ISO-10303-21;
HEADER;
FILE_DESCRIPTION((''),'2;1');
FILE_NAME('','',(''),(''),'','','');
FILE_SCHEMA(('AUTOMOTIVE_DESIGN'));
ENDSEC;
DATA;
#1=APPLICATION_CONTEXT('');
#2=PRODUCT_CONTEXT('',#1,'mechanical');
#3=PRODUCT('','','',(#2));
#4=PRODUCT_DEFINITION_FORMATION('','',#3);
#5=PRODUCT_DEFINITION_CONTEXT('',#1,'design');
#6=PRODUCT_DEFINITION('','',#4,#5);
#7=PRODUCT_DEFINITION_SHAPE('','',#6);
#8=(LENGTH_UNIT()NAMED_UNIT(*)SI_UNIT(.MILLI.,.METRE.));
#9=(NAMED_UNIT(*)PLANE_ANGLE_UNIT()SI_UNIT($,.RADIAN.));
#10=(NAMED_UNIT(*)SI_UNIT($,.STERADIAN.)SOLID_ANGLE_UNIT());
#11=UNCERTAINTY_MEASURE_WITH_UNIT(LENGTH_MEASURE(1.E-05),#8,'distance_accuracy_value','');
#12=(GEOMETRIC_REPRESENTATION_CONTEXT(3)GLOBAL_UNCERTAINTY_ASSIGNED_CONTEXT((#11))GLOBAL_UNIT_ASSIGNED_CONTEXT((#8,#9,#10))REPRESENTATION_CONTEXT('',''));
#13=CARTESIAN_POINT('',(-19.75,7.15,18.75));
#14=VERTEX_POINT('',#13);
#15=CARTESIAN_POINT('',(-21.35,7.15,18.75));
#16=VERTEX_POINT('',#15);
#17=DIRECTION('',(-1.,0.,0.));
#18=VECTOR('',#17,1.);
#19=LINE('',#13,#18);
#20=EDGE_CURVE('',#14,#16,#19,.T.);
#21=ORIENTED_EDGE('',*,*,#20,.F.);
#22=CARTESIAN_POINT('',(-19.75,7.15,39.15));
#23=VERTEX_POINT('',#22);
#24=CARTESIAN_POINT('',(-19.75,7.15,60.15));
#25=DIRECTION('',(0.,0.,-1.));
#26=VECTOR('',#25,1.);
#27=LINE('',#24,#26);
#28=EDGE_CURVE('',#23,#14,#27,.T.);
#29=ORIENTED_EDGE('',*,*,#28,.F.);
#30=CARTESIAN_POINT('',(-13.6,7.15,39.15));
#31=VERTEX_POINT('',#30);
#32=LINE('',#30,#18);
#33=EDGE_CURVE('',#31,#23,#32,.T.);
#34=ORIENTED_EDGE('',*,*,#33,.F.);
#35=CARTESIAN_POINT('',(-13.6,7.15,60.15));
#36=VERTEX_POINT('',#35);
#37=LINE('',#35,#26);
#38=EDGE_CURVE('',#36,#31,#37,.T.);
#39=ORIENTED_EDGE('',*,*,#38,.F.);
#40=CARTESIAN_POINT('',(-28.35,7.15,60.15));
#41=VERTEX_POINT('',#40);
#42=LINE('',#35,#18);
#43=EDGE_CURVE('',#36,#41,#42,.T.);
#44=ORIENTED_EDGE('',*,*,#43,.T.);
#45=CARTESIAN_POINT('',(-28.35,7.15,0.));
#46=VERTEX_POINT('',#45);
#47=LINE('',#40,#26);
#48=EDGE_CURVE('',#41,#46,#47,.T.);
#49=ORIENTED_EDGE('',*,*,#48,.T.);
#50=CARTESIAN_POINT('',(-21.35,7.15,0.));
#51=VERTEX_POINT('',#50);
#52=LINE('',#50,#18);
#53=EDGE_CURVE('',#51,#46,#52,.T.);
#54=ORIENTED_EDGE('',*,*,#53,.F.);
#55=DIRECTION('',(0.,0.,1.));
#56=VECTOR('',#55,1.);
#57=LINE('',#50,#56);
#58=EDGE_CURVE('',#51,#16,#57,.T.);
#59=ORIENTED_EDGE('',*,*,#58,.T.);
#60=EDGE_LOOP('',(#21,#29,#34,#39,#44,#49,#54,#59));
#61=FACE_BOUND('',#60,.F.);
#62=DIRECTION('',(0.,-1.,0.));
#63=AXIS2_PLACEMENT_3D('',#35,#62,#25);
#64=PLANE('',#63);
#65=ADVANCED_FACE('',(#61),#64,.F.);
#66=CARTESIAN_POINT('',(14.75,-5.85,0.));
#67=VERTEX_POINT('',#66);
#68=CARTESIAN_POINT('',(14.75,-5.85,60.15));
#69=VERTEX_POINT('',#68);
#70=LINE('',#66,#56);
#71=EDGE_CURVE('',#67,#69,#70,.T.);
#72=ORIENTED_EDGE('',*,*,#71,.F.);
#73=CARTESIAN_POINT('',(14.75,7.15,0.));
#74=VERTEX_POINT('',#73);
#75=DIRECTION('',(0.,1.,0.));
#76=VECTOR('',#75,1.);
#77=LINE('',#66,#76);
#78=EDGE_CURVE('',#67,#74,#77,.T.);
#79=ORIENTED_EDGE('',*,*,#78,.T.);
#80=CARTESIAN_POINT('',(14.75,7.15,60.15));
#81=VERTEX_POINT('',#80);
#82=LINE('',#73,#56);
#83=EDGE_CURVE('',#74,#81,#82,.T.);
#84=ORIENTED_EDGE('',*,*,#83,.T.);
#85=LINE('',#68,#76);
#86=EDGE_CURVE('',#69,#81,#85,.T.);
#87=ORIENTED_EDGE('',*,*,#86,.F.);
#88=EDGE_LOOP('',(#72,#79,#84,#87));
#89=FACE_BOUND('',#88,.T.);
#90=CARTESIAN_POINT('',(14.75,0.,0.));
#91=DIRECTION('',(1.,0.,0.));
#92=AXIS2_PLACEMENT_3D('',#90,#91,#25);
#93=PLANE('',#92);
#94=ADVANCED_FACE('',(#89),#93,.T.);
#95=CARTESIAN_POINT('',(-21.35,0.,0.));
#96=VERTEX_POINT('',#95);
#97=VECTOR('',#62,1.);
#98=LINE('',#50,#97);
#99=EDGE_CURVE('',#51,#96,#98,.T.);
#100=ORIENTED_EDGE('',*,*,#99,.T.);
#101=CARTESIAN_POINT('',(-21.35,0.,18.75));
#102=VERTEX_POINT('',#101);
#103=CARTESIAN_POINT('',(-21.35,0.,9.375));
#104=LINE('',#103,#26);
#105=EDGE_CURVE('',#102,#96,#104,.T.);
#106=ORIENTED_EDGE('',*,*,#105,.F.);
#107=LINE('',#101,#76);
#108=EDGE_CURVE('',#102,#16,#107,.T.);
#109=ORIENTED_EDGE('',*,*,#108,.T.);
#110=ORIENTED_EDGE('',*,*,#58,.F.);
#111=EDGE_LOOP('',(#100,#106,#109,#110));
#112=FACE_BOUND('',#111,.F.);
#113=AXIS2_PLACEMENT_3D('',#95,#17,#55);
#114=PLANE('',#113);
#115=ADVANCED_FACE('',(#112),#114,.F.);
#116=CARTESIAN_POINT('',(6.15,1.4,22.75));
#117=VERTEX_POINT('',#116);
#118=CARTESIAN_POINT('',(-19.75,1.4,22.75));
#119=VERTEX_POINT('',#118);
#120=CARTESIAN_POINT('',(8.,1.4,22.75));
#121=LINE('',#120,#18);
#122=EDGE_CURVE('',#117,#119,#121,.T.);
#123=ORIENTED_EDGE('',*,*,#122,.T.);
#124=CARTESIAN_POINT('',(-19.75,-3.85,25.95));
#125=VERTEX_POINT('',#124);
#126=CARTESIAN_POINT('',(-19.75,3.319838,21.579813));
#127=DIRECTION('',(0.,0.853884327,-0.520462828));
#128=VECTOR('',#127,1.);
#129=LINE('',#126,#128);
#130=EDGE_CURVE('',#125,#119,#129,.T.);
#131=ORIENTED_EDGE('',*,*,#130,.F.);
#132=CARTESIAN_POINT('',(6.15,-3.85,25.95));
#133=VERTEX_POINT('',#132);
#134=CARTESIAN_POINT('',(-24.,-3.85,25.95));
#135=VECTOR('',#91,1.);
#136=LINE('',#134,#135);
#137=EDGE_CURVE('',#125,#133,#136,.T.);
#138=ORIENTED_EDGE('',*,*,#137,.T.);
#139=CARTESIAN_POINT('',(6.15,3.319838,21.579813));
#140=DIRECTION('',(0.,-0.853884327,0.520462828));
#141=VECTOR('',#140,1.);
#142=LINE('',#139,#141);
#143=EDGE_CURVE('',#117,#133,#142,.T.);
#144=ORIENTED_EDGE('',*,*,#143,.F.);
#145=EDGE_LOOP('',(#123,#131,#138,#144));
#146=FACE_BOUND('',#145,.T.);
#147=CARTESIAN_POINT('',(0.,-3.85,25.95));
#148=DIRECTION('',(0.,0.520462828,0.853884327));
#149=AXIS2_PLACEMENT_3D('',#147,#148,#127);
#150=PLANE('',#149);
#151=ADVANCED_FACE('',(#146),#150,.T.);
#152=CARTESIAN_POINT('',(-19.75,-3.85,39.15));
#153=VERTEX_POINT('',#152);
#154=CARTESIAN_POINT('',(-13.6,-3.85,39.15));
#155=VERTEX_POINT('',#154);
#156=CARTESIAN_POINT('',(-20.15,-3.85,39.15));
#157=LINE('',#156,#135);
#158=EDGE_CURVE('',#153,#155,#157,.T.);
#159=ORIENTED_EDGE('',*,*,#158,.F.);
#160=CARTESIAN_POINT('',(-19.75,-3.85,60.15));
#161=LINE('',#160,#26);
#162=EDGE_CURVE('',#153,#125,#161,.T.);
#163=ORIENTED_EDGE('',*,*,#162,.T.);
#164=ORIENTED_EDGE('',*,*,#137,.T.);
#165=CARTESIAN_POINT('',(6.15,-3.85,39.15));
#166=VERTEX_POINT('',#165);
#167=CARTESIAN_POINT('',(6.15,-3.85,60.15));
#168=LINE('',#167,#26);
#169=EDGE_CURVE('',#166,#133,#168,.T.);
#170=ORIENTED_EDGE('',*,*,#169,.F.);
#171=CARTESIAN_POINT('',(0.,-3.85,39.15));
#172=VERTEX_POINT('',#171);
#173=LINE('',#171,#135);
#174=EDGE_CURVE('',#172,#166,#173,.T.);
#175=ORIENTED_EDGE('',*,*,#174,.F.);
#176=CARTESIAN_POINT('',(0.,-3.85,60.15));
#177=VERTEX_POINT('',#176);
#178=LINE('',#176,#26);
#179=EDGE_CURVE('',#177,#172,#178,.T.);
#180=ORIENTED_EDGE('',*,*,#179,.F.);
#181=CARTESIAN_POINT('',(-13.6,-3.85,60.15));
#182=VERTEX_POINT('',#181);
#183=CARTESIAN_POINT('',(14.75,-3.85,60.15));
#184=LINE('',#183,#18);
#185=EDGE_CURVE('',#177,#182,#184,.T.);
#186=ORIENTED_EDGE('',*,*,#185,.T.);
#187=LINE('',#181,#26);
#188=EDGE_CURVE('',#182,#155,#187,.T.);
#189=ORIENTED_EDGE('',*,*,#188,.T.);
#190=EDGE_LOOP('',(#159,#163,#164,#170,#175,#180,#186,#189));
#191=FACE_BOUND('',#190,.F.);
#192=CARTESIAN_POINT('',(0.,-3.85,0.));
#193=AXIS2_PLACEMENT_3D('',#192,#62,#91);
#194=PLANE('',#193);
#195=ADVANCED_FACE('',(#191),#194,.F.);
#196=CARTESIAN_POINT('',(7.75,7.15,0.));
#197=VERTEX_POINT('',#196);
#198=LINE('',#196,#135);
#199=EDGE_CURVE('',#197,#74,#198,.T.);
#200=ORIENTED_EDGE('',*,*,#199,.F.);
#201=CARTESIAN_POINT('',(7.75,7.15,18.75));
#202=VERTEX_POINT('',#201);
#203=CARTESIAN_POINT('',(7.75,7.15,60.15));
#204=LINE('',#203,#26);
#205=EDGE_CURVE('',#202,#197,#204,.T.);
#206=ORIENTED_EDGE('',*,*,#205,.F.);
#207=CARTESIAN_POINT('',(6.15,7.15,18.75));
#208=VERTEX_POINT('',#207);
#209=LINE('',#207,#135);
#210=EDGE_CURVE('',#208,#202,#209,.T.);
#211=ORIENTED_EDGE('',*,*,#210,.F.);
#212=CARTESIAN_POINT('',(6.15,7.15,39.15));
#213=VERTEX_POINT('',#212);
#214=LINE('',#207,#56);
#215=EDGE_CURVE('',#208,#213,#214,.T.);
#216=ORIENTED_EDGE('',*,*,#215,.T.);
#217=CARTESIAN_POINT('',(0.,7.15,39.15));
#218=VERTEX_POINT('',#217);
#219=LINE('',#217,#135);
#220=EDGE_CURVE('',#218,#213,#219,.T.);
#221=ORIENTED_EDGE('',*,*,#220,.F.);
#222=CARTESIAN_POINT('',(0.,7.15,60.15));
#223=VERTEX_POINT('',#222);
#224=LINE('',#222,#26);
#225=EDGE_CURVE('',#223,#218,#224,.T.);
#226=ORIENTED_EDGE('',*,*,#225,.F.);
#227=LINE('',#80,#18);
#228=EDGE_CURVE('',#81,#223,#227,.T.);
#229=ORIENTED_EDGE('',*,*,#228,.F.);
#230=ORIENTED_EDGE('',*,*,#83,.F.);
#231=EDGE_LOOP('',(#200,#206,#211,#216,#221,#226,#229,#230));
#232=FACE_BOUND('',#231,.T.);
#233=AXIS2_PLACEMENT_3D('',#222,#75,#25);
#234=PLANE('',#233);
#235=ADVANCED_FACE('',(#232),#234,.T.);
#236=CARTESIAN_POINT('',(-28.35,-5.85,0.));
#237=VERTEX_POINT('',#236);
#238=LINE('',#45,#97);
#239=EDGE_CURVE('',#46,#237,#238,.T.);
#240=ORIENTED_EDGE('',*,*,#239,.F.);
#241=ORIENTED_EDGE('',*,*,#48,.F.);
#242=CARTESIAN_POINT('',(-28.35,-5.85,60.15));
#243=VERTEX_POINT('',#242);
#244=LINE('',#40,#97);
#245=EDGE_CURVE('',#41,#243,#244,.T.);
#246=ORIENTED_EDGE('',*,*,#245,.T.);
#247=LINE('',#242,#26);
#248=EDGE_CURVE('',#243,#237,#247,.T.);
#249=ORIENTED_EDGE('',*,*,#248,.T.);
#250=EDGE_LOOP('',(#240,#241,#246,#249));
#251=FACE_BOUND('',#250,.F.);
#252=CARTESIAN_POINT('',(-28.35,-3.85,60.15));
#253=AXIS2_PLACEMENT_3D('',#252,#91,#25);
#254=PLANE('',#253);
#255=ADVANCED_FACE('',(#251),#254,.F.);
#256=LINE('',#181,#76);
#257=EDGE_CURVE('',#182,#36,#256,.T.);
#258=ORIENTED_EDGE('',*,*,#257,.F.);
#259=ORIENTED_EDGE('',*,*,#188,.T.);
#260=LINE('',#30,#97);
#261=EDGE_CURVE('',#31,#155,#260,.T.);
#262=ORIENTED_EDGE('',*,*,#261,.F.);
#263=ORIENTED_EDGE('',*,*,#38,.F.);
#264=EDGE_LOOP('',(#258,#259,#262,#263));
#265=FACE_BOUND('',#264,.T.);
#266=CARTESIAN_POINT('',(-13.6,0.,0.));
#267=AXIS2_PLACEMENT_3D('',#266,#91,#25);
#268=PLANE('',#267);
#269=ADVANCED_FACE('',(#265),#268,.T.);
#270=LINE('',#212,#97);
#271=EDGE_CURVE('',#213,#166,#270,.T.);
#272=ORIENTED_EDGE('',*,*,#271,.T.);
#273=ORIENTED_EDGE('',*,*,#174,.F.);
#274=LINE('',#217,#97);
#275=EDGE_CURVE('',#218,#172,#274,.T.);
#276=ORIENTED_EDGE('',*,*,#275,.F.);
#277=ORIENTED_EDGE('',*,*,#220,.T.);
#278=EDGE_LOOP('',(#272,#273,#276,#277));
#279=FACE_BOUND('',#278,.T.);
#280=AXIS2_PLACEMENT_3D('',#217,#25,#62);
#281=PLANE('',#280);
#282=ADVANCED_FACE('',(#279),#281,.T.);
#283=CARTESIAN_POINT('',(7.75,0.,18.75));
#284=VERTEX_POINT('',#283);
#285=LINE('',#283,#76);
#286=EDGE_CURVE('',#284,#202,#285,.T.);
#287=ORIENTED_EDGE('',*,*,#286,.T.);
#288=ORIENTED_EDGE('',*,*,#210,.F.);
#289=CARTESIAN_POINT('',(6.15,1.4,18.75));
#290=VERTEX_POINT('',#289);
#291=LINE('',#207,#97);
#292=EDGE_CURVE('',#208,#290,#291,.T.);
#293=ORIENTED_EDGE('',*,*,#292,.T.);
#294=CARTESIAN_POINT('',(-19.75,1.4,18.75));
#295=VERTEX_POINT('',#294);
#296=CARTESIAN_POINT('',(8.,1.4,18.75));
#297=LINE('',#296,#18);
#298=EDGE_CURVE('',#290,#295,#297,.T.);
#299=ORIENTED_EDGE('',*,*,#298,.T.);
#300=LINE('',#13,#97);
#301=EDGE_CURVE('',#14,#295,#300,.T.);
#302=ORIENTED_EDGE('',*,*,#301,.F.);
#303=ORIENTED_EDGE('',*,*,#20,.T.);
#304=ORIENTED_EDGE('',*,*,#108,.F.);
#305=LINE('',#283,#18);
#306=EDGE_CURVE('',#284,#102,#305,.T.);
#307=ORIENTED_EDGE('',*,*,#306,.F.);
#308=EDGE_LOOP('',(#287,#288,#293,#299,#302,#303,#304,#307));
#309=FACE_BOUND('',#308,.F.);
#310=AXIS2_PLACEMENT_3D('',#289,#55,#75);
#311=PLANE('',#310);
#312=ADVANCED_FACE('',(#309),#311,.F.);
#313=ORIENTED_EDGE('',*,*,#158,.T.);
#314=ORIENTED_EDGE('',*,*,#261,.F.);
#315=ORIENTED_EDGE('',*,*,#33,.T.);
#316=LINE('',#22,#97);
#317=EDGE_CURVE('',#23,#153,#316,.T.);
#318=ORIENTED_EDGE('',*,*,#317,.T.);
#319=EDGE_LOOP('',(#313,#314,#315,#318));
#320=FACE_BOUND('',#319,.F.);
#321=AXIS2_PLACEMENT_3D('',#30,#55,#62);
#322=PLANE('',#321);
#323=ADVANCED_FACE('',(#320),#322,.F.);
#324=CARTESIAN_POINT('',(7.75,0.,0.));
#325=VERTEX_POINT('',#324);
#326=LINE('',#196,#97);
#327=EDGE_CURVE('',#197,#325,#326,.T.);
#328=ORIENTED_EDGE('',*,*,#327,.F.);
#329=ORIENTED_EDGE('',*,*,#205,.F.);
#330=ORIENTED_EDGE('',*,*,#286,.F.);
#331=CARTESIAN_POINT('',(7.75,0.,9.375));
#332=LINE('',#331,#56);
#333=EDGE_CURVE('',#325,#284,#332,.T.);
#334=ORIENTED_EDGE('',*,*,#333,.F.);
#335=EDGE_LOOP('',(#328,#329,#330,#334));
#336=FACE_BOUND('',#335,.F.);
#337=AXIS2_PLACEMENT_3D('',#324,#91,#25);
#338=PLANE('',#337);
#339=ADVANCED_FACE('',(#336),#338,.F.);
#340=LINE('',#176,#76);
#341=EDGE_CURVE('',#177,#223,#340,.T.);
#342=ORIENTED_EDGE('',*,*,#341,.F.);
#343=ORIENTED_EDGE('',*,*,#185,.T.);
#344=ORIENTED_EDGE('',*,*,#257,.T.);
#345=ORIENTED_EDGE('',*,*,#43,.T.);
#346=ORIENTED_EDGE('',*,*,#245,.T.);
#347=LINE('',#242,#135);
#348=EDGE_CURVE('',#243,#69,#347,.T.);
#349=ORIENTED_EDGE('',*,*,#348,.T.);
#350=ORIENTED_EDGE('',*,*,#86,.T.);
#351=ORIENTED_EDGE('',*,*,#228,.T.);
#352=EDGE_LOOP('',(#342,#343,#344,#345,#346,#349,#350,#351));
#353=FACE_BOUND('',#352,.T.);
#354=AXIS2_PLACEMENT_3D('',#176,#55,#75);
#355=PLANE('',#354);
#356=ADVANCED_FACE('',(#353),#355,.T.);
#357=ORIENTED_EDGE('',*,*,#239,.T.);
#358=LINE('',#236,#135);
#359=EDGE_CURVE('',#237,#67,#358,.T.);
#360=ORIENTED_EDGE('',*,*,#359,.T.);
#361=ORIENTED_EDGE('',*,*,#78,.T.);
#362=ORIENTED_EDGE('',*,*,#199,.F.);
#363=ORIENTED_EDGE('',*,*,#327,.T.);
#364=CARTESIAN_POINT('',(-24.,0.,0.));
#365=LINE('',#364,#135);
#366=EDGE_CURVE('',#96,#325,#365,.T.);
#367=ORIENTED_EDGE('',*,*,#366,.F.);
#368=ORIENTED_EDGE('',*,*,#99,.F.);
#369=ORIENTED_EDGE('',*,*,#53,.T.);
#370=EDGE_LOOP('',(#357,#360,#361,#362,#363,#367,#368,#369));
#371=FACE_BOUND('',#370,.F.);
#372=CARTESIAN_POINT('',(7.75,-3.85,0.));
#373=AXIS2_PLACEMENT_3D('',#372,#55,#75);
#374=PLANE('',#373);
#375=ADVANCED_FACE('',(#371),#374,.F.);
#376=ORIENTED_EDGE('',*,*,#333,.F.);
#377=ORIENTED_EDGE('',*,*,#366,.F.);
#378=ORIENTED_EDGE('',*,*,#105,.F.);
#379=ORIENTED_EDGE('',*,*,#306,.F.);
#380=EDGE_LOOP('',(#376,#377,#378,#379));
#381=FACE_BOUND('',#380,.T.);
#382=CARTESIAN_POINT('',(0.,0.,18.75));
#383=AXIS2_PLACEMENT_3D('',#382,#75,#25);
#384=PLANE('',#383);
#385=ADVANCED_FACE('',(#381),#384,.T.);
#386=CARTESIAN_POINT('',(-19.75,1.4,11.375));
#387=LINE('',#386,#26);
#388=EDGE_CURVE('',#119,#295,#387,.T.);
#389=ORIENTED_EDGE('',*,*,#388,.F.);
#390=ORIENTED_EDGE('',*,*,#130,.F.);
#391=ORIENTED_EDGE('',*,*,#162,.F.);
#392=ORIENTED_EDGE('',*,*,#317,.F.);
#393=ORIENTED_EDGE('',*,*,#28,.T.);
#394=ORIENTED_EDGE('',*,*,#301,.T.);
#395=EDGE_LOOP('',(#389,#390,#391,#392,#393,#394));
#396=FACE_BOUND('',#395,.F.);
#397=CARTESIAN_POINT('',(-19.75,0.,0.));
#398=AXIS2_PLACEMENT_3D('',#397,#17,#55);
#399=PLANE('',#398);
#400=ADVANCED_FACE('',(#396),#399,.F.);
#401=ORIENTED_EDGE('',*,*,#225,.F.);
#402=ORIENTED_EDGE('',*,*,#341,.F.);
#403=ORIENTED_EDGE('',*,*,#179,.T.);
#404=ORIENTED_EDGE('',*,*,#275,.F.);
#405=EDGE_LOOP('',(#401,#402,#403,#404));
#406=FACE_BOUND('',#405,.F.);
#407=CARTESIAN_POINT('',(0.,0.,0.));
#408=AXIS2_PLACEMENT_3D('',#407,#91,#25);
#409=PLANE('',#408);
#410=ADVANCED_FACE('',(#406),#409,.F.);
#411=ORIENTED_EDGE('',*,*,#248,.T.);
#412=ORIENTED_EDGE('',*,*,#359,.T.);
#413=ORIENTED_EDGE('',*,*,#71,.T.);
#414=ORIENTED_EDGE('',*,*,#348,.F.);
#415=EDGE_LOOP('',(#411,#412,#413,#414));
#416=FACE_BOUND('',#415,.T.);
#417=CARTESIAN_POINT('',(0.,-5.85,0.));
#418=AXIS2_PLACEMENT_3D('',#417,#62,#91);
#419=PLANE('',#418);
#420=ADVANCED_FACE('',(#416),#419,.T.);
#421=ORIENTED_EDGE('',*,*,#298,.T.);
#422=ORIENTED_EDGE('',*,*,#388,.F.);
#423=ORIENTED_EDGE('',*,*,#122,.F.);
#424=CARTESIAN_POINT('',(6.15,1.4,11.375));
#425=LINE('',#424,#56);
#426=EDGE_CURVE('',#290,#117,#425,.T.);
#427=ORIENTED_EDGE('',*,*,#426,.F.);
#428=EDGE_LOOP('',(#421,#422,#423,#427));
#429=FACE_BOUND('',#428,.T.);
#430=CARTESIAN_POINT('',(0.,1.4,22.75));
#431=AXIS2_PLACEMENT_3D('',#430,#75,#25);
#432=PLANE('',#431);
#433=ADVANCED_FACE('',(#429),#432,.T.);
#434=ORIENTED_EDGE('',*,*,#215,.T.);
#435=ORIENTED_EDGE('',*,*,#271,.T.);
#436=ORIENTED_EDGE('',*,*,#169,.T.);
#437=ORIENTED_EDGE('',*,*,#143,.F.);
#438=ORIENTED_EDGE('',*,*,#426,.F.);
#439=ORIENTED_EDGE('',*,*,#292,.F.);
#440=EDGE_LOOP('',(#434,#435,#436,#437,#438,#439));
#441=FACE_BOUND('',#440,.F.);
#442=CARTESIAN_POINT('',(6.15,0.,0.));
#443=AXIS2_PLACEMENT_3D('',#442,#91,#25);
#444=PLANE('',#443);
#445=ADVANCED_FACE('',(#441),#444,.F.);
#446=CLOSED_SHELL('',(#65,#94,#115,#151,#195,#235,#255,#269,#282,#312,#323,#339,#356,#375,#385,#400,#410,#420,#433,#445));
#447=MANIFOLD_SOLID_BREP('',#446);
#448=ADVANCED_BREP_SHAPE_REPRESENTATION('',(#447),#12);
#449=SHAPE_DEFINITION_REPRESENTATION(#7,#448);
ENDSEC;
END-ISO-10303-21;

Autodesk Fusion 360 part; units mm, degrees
sketch "Sketch1" plane through (0, 0, 0) normal (1, 0, 0) x (0, 0, -1)
  line L0 (0, 0) -> (-18.75, 0)
  line L1 (-18.75, 0) -> (-18.75, 20.75)
  line L2 (-18.75, 20.75) -> (0, 20.75)
  line L3 (0, 20.75) -> (0, 0)
  line L4 (-18.75, 20.75) -> (-18.75, 19)
  line L5 (-18.75, 0) -> (-18.75, 1.4)
  line L6 (-18.75, 19) -> (-22.75, 19)
  line L7 (-22.75, 19) -> (-22.75, 1.4)
  line L8 (-22.75, 1.4) -> (-18.75, 1.4)
  line L9 (-18.75, 1.4) -> (-18.75, 19)
  line L10 (-22.75, 19) -> (-22.75, 23.35)
  line L11 (-22.75, 1.4) -> (-22.75, -3.85)
  line L12 (-22.75, 23.35) -> (-60.15, 23.35)
  line L13 (-60.15, 23.35) -> (-60.15, -3.85)
  line L14 (-60.15, -3.85) -> (-22.75, -3.85)
  line L15 (-22.75, -3.85) -> (-22.75, 23.35)
  dimension "d1" = 18.75
  dimension "d2" = 20.75
  dimension "d4" = 1.75
  dimension "d6" = 4
  dimension "d7" = 4.35
  dimension "d9" = 37.4
sketch "Sketch3" plane through (0, 0, 0) normal (1, 0, 0) x (0, 0, -1)
  line L0 (-60.15, -3.85) -> (-60.15, 7.15)
  line L1 (-60.15, 7.15) -> (-39.15, 7.15)
  line L2 (-60.15, -3.85) -> (-22.75, -3.85)
  line L3 (-39.15, 7.15) -> (-39.15, -3.85)
  point P0 (-60.15, -3.85)
  dimension "d10" = 11
  dimension "d11" = 21
extrude "Extrude1" add sketch "Sketch3" along normal blind 6.15 makes body 1
sketch "Sketch4" plane through (6.15, 0, 0) normal (1, 0, 0) x (0, 0, -1)
  line L0 (-60.15, -3.85) -> (-39.15, -3.85)
  line L1 (-39.15, -3.85) -> (-39.15, 7.15)
  line L2 (-39.15, 7.15) -> (-60.15, 7.15)
  line L3 (-60.15, 7.15) -> (-60.15, -3.85)
  line L4 (-60.15, -3.85) -> (-18.75, -3.85)
  line L5 (-18.75, -3.85) -> (-18.75, 7.15)
  line L6 (-18.75, 7.15) -> (-60.15, 7.15)
  line L7 (-60.15, 7.15) -> (-60.15, -3.85)
  line L8 (-18.75, 1.4) -> (-18.75, 19)
extrude "Extrude2" add sketch "Sketch4" along normal blind 1.6 bodies 1
sketch "Sketch5" plane through (7.75, 0, 0) normal (1, 0, 0) x (0, 0, -1)
  line L0 (-18.75, -3.85) -> (-18.75, 7.15)
  line L1 (-18.75, 7.15) -> (-60.15, 7.15)
  line L2 (-60.15, 7.15) -> (-60.15, -3.85)
  line L3 (-60.15, -3.85) -> (-18.75, -3.85)
  line L4 (-60.15, -3.85) -> (0, -3.85)
  line L5 (0, -3.85) -> (0, 7.15)
  line L6 (0, 7.15) -> (-60.15, 7.15)
  line L7 (-60.15, 7.15) -> (-60.15, -3.85)
  line L8 (0, 20.75) -> (0, 0)
extrude "Extrude3" add sketch "Sketch5" along normal blind 7 bodies 1
sketch "Sketch6" plane through (0, 0, 60.15) normal (0, 0, 1) x (1, 0, 0)
  line L0 (0, 7.15) -> (0, -3.85)
  line L1 (0, -3.85) -> (14.75, -3.85)
  line L2 (14.75, -3.85) -> (14.75, 7.15)
  line L3 (14.75, 7.15) -> (0, 7.15)
  line L4 (0, -3.85) -> (-13.6, -3.85)
  dimension "d18" = 13.6
extrude "Extrude4" add sketch "Sketch3" along normal blind -14 and the other way blind 13.6 separate body makes body 2
extrude "Extrude5" add 1 faces at (-14, -0.1833, 46.15) along direction (-1, 0, 0) blind 6.15 on bodies 2 bodies 2
extrude "Extrude6" cut 1 faces at (-20.15, -0.1833, 46.15) along direction (1, 0, 0) blind 0.4 on bodies 2 bodies 2
sketch "Sketch7" plane through (-19.75, 0, 0) normal (-1, 0, 0) x (0, 0, 1)
  line L0 (39.15, -3.85) -> (60.15, -3.85)
  line L1 (60.15, -3.85) -> (60.15, 7.15)
  line L2 (60.15, 7.15) -> (39.15, 7.15)
  line L3 (39.15, 7.15) -> (39.15, -3.85)
  line L4 (60.15, 7.15) -> (18.75, 7.15)
  line L5 (18.75, 7.15) -> (18.75, -3.85)
  line L6 (18.75, -3.85) -> (60.15, -3.85)
  line L7 (60.15, -3.85) -> (60.15, 7.15)
  point P0 (18.75, -3.85)
extrude "Extrude7" add sketch "Sketch7" along normal blind 1.6 bodies 2
sketch "Sketch8" plane through (-21.35, 0, 0) normal (-1, 0, 0) x (0, 0, 1)
  line L0 (60.15, -3.85) -> (60.15, 7.15)
  line L1 (60.15, 7.15) -> (18.75, 7.15)
  line L2 (18.75, 7.15) -> (18.75, -3.85)
  line L3 (18.75, -3.85) -> (60.15, -3.85)
  line L4 (60.15, 7.15) -> (0, 7.15)
  line L5 (0, 7.15) -> (0, -3.85)
  line L6 (0, -3.85) -> (60.15, -3.85)
  line L7 (60.15, -3.85) -> (60.15, 7.15)
  point P0 (0, -3.85)
extrude "Extrude8" add sketch "Sketch8" along normal blind 7 bodies 2
sketch "Sketch9" plane through (0, 0, 0) normal (1, 0, 0) x (0, 0, -1)
  line L0 (-60.15, -3.85) -> (-25.95, -3.85)
  line L1 (-25.95, -3.85) -> (-22.75, 1.4)
  line L2 (-22.75, 1.4) -> (-18.75, 1.4)
  line L3 (-18.75, 1.4) -> (-18.75, 0)
  line L4 (-18.75, 0) -> (0, 0)
  line L5 (-25.95, -3.85) -> (0, -3.85)
  line L6 (0, -3.85) -> (0, 0)
  point P0 (-60.15, -3.85)
  point P1 (-22.75, 1.4)
  point P2 (-18.75, 1.4)
  point P3 (-18.75, 0)
  dimension "d31" = 34.2
extrude "Extrude9" add sketch "Sketch9" along normal blind 8 and the other way blind 24 bodies 1 2
sketch "Sketch10" plane through (0, -3.85, 0) normal (0, -1, 0) x (1, 0, 0)
  line L0 (-19.75, 25.95) -> (-19.75, 39.15)
  line L1 (-19.75, 39.15) -> (-13.6, 39.15)
  line L2 (-13.6, 39.15) -> (-13.6, 60.15)
  line L3 (-13.6, 60.15) -> (-28.35, 60.15)
  line L4 (-28.35, 60.15) -> (-28.35, 0)
  line L5 (-28.35, 0) -> (14.75, 0)
  line L6 (14.75, 0) -> (14.75, 60.15)
  line L7 (14.75, 60.15) -> (0, 60.15)
  line L8 (0, 60.15) -> (0, 39.15)
  line L9 (0, 39.15) -> (6.15, 39.15)
  line L10 (6.15, 39.15) -> (6.15, 25.95)
  line L11 (6.15, 25.95) -> (-19.75, 25.95)
  line L12 (-28.35, 60.15) -> (14.75, 60.15)
  line L13 (14.75, 60.15) -> (14.75, 0)
  line L14 (14.75, 0) -> (-28.35, 0)
  line L15 (-28.35, 0) -> (-28.35, 60.15)
extrude "Extrude10" add sketch "Sketch10" along normal blind 2 bodies 1
